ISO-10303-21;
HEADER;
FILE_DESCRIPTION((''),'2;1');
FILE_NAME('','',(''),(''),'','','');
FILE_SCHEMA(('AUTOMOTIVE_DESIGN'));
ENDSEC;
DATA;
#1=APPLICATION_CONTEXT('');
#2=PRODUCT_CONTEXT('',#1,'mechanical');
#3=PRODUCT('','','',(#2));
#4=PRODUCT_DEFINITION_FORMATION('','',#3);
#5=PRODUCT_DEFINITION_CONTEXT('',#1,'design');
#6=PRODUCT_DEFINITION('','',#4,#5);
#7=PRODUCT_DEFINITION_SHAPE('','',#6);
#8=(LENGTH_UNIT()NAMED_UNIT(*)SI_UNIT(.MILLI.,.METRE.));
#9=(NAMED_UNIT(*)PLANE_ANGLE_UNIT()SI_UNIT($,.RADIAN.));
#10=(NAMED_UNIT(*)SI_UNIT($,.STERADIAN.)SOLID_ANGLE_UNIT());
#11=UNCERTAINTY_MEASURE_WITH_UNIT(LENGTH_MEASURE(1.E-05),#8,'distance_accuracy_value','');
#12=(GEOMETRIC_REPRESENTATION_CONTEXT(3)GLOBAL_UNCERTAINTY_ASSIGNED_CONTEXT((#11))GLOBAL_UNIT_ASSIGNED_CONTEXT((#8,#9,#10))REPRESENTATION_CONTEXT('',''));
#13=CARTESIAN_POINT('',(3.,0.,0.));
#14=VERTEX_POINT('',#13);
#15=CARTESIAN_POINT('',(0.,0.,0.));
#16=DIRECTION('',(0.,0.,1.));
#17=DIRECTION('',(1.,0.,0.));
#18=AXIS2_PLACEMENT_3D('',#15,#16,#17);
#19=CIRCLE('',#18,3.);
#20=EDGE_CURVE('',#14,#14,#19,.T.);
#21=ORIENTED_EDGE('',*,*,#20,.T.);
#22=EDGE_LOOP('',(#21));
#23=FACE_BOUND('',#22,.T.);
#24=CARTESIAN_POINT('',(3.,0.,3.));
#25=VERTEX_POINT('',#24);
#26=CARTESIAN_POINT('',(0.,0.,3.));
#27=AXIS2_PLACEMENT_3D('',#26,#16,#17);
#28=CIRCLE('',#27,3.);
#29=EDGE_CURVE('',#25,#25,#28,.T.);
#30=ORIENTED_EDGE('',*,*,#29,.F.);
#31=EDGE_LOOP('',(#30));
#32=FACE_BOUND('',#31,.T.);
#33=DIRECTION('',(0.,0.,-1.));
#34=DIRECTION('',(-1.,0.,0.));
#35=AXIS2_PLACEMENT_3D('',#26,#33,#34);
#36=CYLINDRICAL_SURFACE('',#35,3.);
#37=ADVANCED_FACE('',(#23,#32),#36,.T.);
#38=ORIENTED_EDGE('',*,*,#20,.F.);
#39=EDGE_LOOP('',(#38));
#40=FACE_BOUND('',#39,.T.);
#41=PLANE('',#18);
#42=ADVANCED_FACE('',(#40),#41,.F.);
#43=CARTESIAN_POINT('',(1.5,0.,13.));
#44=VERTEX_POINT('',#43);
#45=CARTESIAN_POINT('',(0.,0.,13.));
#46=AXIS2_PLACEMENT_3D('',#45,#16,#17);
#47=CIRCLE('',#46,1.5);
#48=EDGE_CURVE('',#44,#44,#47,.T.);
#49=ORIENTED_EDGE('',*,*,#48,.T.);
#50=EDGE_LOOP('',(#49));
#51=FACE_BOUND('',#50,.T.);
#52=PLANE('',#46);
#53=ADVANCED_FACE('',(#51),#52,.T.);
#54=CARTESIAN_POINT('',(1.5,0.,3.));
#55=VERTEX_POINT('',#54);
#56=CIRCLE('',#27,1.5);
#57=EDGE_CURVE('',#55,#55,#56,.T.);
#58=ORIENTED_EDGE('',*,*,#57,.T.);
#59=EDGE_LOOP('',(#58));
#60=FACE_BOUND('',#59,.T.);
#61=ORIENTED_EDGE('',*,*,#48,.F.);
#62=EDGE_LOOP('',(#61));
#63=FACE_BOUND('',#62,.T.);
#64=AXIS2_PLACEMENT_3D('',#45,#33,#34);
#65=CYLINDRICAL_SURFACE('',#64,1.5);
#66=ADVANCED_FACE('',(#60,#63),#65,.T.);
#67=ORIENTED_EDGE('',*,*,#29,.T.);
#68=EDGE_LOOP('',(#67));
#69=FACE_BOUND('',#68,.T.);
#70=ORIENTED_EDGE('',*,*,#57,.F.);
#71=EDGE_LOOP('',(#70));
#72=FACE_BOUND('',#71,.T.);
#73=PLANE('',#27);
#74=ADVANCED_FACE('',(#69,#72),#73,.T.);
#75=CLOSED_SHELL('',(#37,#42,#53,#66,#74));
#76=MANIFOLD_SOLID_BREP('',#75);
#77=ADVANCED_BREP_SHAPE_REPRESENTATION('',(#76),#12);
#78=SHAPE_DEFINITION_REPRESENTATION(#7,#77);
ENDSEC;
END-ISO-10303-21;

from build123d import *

# Parameters (mm, degrees)
SKETCH_1_R      = 3
EXTRUDE_1_DEPTH = 3
SKETCH_2_R      = 1.5
EXTRUDE_2_DEPTH = 10


with BuildPart() as part:
    # 草图1 → 凸台-拉伸1 (new body)
    with BuildSketch(Plane.XY):
        Circle(SKETCH_1_R)
    extrude(amount=EXTRUDE_1_DEPTH)

    # 草图2 → 凸台-拉伸2 (add)
    with BuildSketch(Plane.XY.offset(3)):
        Circle(SKETCH_2_R)
    extrude(amount=EXTRUDE_2_DEPTH)


solid = part.part
